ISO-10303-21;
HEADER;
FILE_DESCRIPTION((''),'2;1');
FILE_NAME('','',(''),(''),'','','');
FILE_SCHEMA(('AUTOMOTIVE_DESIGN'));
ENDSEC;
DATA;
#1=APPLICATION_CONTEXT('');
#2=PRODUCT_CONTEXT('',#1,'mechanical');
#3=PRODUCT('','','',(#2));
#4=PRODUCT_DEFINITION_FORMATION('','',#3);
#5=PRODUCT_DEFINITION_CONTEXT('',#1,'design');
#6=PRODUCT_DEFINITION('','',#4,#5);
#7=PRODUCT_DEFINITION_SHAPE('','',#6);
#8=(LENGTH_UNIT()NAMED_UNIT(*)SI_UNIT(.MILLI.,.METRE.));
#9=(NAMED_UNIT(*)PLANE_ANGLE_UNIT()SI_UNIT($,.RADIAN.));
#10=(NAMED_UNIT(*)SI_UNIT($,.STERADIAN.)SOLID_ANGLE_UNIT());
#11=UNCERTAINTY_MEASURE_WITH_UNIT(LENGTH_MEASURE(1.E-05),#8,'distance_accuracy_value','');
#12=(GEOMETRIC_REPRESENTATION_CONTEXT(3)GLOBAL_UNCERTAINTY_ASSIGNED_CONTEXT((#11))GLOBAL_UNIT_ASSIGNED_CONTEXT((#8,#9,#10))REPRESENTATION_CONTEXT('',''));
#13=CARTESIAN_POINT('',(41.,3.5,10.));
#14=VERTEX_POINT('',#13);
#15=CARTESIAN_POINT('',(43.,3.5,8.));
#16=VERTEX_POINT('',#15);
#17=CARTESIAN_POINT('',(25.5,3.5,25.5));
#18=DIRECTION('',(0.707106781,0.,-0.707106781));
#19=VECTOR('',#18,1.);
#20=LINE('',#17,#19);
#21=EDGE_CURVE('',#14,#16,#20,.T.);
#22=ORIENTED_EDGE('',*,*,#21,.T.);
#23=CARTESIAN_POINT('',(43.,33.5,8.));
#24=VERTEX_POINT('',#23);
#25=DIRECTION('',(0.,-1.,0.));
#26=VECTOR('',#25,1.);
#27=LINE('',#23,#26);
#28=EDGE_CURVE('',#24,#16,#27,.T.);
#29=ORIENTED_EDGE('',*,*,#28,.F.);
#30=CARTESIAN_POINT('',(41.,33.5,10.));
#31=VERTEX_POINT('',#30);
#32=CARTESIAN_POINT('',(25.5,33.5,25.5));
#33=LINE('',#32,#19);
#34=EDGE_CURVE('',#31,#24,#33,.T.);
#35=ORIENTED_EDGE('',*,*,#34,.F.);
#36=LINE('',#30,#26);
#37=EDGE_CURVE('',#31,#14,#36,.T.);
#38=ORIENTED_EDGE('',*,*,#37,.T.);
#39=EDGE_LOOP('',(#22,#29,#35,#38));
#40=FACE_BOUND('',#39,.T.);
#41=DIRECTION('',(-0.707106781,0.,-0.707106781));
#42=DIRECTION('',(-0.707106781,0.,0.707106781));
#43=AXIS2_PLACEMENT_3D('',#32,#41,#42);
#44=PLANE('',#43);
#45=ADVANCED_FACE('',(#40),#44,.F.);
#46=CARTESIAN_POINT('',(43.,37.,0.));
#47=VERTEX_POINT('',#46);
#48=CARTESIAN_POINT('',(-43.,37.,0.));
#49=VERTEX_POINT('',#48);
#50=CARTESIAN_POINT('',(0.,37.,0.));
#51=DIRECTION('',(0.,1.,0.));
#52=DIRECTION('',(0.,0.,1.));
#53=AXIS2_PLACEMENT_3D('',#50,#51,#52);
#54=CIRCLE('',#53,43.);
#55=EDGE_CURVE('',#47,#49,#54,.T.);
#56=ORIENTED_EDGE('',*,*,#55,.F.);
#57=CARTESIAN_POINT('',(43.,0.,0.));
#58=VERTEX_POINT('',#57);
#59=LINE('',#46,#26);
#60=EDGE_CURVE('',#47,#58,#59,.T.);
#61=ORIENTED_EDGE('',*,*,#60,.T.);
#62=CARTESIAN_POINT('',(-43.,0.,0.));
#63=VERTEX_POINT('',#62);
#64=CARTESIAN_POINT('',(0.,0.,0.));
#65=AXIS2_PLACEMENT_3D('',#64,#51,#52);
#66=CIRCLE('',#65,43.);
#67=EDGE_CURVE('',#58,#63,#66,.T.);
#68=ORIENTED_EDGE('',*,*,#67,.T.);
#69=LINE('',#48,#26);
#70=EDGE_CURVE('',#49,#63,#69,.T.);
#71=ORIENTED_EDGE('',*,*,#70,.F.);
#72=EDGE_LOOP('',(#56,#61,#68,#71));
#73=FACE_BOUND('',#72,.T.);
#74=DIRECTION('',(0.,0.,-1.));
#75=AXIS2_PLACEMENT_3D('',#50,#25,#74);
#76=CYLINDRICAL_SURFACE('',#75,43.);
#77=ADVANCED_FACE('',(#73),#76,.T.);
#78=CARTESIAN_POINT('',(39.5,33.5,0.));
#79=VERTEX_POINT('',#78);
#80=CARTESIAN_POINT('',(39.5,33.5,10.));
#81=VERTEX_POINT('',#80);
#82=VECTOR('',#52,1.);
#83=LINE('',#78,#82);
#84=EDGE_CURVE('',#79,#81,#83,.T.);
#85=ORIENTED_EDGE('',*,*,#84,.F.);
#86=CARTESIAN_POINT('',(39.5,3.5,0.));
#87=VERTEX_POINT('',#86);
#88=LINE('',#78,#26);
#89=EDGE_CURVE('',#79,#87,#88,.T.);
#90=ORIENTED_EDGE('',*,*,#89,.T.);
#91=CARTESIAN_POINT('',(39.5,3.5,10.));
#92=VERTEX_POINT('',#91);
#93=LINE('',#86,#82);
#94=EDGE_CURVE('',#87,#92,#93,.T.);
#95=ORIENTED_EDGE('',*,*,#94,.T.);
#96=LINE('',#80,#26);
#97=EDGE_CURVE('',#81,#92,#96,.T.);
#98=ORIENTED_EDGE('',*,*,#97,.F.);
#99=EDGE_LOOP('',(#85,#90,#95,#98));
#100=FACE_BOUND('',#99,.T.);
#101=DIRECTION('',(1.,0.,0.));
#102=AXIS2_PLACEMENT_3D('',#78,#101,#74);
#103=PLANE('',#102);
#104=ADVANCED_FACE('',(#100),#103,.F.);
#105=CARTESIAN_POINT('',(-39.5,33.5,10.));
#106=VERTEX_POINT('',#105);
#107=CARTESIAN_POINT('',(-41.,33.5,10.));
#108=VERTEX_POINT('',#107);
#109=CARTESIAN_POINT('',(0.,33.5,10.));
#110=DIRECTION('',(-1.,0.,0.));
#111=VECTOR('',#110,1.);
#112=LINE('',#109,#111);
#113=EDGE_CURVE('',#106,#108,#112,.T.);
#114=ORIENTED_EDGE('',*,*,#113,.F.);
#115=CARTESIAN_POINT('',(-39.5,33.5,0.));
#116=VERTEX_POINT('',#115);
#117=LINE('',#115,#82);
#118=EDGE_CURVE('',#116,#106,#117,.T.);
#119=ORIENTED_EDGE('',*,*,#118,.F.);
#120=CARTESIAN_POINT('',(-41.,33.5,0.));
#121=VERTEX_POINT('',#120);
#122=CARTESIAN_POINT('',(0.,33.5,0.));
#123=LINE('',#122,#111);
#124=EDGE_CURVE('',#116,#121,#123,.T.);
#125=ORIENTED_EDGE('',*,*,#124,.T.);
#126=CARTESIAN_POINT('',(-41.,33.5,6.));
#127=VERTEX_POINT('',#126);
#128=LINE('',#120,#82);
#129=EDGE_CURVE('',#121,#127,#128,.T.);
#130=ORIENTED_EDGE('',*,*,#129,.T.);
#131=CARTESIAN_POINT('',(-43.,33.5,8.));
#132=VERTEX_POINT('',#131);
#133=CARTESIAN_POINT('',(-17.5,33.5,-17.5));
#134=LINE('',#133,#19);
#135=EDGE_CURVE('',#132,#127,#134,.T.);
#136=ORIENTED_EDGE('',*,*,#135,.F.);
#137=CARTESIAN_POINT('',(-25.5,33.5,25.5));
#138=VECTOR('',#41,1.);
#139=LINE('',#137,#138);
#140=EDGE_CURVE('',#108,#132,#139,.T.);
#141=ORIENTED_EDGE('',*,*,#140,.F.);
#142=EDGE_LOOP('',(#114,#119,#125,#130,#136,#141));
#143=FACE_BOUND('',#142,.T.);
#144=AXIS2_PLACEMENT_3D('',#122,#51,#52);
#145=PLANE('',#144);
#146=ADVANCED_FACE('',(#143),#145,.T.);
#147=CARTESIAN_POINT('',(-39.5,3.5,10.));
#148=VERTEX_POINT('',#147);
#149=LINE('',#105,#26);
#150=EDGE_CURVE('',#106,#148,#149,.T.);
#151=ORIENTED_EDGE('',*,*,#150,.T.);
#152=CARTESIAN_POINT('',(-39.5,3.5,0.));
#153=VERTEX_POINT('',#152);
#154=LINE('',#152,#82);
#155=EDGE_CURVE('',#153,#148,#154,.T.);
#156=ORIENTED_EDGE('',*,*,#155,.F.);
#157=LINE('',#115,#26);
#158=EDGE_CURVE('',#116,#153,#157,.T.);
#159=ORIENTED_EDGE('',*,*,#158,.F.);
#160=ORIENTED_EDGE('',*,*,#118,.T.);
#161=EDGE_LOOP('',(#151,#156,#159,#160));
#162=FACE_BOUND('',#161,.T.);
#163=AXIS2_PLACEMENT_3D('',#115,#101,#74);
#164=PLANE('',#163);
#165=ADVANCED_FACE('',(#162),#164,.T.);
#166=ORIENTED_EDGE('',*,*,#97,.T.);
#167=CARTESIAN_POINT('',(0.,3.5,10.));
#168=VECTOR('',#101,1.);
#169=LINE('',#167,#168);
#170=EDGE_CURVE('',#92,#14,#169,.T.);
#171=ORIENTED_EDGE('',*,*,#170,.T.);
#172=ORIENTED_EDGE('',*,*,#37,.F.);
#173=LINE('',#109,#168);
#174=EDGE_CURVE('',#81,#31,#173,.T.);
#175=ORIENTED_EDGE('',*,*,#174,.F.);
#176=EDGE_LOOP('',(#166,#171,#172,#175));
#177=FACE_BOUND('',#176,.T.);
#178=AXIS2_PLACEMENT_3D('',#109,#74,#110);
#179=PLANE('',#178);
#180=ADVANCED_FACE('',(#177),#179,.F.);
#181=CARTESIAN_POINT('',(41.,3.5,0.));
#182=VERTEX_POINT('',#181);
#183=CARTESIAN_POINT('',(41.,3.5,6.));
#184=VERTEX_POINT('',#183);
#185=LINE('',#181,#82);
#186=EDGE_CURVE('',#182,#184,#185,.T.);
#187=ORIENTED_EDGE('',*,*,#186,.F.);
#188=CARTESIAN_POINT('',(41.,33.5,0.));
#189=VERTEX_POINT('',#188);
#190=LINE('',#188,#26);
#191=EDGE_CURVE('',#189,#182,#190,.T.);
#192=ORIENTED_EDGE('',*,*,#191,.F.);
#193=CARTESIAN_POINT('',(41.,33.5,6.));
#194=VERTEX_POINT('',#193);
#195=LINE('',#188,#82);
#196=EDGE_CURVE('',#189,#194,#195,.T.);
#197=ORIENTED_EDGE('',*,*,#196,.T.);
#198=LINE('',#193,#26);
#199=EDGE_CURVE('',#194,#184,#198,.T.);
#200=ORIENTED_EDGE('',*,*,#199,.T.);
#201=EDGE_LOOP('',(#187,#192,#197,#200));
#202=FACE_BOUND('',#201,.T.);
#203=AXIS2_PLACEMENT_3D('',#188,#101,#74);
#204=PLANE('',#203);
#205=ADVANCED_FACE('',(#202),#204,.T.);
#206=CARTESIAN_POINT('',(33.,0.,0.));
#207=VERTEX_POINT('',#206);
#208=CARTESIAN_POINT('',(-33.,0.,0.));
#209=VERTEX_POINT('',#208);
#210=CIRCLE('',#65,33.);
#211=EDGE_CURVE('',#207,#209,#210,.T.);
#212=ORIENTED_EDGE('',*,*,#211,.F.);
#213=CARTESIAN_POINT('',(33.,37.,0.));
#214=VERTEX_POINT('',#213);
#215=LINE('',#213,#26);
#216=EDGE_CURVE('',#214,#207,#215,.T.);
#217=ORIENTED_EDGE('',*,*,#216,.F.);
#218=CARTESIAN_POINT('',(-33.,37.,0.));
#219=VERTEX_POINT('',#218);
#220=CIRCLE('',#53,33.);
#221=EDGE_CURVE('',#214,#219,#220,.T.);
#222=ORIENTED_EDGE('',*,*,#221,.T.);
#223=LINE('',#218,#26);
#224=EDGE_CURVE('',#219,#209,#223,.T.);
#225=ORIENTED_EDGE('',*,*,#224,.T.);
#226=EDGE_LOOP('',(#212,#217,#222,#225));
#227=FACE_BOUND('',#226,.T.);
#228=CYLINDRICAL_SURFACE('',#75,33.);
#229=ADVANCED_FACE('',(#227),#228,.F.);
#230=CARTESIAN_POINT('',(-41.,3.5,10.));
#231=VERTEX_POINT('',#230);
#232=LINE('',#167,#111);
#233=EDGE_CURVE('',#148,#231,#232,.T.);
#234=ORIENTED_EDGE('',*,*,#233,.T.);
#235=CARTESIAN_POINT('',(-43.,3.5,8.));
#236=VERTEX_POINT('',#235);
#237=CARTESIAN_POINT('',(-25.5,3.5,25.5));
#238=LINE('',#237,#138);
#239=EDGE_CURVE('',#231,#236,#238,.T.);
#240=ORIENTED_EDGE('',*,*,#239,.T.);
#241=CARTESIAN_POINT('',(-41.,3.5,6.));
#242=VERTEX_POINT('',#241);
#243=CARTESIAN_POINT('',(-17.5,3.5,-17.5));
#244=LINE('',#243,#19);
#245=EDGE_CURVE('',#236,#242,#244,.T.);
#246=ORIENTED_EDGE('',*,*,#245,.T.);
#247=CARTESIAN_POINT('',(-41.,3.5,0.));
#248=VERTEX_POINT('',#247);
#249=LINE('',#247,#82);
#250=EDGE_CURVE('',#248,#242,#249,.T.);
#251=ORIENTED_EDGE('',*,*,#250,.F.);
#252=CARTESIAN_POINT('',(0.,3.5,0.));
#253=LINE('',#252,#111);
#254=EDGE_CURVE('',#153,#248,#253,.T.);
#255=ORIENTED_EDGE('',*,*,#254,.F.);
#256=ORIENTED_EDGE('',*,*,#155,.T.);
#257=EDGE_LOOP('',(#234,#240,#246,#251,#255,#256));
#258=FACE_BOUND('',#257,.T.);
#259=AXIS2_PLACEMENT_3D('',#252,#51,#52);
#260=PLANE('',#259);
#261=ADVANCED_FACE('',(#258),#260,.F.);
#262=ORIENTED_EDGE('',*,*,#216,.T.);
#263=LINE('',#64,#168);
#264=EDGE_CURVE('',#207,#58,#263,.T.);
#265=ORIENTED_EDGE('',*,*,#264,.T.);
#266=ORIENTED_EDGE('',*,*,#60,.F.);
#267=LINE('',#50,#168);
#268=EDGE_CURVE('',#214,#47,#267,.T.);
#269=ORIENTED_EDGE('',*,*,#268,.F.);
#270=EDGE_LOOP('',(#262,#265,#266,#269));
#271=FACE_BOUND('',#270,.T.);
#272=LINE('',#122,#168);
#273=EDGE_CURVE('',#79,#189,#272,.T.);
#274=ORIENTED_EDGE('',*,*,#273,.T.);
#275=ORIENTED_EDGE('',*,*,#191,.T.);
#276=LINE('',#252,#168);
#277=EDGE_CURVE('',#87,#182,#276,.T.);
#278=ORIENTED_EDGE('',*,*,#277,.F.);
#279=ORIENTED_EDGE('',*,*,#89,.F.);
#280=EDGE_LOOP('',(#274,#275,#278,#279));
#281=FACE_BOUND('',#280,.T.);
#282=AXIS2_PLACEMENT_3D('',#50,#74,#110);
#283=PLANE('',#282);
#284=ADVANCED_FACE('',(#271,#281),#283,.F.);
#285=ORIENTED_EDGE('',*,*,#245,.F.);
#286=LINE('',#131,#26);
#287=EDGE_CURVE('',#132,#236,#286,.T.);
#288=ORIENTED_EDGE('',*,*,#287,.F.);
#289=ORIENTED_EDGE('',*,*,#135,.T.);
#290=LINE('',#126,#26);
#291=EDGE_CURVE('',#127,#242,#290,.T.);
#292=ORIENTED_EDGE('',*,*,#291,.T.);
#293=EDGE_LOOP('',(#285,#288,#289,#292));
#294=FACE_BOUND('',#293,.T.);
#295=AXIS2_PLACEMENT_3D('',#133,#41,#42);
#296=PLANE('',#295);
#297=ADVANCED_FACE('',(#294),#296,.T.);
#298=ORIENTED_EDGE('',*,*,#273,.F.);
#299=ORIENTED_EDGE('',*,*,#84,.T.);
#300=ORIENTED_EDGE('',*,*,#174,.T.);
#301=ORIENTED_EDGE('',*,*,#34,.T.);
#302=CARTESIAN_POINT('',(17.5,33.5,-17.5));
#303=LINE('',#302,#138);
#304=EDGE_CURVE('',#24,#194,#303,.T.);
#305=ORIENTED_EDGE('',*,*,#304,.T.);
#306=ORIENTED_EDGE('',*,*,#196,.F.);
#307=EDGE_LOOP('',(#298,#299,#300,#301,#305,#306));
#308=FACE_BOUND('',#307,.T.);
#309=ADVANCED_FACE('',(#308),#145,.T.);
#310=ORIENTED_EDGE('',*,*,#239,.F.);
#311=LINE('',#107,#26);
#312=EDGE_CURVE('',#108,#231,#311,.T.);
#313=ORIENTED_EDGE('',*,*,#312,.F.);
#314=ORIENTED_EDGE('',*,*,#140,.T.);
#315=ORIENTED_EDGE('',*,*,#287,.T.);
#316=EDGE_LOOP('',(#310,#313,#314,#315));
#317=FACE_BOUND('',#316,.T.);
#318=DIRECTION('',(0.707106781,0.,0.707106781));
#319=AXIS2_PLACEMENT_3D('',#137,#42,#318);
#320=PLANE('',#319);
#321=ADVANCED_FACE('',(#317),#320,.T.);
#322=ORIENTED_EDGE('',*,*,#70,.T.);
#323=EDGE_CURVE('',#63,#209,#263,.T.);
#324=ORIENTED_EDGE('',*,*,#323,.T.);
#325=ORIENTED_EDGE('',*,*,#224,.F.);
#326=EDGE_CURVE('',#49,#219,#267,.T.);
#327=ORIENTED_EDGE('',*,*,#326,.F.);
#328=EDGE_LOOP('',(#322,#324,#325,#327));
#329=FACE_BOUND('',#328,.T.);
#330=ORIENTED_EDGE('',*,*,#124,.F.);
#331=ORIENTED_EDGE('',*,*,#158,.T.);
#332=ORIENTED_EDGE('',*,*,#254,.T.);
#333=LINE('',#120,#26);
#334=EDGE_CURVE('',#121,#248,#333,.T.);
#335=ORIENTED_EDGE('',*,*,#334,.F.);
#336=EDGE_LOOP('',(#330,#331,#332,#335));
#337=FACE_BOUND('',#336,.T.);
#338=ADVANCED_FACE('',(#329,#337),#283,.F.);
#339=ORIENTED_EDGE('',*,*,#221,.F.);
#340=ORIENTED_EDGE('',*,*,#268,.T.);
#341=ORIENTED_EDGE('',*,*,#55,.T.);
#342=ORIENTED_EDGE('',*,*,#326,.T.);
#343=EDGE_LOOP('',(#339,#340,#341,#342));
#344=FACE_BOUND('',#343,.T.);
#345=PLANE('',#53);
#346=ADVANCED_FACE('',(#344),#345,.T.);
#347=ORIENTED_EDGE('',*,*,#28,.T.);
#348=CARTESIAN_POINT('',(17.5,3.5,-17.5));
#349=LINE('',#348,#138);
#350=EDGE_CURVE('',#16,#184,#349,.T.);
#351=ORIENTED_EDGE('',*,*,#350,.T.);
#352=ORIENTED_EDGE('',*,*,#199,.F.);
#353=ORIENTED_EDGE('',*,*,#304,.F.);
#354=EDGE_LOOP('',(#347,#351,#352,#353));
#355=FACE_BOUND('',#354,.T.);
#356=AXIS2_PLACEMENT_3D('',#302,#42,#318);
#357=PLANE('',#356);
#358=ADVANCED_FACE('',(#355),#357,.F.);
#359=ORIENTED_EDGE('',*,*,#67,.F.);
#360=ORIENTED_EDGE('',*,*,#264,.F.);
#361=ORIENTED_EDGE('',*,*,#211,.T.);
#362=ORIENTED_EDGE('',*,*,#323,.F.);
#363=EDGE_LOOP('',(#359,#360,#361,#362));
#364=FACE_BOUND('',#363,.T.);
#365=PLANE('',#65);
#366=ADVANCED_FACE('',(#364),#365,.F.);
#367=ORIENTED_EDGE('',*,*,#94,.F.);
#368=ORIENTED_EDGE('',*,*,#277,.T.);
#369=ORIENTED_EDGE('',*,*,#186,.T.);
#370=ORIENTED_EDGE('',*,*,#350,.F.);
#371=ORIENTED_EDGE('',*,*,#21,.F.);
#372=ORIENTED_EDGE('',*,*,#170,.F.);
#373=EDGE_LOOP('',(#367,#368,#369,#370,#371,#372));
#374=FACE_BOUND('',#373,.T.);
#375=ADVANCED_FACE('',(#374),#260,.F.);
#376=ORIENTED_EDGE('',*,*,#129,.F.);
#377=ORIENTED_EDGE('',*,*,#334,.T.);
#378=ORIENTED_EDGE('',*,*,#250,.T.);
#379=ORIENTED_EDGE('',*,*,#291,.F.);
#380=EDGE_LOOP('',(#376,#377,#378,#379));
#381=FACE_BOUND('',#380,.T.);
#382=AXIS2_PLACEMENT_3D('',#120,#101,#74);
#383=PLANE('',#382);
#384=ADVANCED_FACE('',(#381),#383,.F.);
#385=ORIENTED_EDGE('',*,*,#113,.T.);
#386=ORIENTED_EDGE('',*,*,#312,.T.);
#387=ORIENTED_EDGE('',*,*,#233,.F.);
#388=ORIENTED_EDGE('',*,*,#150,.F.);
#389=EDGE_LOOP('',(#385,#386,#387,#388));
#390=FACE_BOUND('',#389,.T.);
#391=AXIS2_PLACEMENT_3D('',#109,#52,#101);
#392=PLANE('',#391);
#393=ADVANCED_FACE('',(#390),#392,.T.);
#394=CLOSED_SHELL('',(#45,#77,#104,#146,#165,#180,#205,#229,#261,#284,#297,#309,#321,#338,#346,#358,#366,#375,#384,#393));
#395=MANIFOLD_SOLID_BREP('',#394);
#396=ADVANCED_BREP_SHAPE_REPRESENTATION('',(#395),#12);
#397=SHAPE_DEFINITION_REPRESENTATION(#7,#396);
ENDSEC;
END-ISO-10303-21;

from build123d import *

# Parameters (mm, degrees)
BOSS_EXTRUDE1_DEPTH = 37
SKETCH3_W           = 1.5
SKETCH3_H           = 10
BOSS_EXTRUDE2_DEPTH = 15


with BuildPart() as part:
    # Sketch1 → Boss-Extrude1 (new body)
    with BuildSketch(Plane(origin=(0, 0, 0), x_dir=(1, 0, 0), z_dir=(0, 1, 0))):
        with BuildLine():
            ThreePointArc((-33, 0), (0, 33), (33, 0))
            Line((33, 0), (43, 0))
            ThreePointArc((43, 0), (0, 43), (-43, 0))
            Line((-43, 0), (-33, 0))
        make_face()
    extrude(amount=BOSS_EXTRUDE1_DEPTH)

    # Sketch3 → Boss-Extrude2 (add, symmetric)
    with BuildSketch(Plane(origin=(0, 18.5, 0), x_dir=(1, 0, 0), z_dir=(0, 1, 0))):
        with Locations((-40.25, -5)):
            Rectangle(SKETCH3_W, SKETCH3_H)
        Polygon((-43, -8), (-41, -10), (-41, -6), align=None)
    boss_extrude2 = extrude(amount=BOSS_EXTRUDE2_DEPTH, both=True)

    # Mirror1: Boss-Extrude2 across plane
    add(boss_extrude2.mirror(Plane(origin=(0, 0, 0), x_dir=(0, 0, 1), z_dir=(1, 0, 0))))


solid = part.part
